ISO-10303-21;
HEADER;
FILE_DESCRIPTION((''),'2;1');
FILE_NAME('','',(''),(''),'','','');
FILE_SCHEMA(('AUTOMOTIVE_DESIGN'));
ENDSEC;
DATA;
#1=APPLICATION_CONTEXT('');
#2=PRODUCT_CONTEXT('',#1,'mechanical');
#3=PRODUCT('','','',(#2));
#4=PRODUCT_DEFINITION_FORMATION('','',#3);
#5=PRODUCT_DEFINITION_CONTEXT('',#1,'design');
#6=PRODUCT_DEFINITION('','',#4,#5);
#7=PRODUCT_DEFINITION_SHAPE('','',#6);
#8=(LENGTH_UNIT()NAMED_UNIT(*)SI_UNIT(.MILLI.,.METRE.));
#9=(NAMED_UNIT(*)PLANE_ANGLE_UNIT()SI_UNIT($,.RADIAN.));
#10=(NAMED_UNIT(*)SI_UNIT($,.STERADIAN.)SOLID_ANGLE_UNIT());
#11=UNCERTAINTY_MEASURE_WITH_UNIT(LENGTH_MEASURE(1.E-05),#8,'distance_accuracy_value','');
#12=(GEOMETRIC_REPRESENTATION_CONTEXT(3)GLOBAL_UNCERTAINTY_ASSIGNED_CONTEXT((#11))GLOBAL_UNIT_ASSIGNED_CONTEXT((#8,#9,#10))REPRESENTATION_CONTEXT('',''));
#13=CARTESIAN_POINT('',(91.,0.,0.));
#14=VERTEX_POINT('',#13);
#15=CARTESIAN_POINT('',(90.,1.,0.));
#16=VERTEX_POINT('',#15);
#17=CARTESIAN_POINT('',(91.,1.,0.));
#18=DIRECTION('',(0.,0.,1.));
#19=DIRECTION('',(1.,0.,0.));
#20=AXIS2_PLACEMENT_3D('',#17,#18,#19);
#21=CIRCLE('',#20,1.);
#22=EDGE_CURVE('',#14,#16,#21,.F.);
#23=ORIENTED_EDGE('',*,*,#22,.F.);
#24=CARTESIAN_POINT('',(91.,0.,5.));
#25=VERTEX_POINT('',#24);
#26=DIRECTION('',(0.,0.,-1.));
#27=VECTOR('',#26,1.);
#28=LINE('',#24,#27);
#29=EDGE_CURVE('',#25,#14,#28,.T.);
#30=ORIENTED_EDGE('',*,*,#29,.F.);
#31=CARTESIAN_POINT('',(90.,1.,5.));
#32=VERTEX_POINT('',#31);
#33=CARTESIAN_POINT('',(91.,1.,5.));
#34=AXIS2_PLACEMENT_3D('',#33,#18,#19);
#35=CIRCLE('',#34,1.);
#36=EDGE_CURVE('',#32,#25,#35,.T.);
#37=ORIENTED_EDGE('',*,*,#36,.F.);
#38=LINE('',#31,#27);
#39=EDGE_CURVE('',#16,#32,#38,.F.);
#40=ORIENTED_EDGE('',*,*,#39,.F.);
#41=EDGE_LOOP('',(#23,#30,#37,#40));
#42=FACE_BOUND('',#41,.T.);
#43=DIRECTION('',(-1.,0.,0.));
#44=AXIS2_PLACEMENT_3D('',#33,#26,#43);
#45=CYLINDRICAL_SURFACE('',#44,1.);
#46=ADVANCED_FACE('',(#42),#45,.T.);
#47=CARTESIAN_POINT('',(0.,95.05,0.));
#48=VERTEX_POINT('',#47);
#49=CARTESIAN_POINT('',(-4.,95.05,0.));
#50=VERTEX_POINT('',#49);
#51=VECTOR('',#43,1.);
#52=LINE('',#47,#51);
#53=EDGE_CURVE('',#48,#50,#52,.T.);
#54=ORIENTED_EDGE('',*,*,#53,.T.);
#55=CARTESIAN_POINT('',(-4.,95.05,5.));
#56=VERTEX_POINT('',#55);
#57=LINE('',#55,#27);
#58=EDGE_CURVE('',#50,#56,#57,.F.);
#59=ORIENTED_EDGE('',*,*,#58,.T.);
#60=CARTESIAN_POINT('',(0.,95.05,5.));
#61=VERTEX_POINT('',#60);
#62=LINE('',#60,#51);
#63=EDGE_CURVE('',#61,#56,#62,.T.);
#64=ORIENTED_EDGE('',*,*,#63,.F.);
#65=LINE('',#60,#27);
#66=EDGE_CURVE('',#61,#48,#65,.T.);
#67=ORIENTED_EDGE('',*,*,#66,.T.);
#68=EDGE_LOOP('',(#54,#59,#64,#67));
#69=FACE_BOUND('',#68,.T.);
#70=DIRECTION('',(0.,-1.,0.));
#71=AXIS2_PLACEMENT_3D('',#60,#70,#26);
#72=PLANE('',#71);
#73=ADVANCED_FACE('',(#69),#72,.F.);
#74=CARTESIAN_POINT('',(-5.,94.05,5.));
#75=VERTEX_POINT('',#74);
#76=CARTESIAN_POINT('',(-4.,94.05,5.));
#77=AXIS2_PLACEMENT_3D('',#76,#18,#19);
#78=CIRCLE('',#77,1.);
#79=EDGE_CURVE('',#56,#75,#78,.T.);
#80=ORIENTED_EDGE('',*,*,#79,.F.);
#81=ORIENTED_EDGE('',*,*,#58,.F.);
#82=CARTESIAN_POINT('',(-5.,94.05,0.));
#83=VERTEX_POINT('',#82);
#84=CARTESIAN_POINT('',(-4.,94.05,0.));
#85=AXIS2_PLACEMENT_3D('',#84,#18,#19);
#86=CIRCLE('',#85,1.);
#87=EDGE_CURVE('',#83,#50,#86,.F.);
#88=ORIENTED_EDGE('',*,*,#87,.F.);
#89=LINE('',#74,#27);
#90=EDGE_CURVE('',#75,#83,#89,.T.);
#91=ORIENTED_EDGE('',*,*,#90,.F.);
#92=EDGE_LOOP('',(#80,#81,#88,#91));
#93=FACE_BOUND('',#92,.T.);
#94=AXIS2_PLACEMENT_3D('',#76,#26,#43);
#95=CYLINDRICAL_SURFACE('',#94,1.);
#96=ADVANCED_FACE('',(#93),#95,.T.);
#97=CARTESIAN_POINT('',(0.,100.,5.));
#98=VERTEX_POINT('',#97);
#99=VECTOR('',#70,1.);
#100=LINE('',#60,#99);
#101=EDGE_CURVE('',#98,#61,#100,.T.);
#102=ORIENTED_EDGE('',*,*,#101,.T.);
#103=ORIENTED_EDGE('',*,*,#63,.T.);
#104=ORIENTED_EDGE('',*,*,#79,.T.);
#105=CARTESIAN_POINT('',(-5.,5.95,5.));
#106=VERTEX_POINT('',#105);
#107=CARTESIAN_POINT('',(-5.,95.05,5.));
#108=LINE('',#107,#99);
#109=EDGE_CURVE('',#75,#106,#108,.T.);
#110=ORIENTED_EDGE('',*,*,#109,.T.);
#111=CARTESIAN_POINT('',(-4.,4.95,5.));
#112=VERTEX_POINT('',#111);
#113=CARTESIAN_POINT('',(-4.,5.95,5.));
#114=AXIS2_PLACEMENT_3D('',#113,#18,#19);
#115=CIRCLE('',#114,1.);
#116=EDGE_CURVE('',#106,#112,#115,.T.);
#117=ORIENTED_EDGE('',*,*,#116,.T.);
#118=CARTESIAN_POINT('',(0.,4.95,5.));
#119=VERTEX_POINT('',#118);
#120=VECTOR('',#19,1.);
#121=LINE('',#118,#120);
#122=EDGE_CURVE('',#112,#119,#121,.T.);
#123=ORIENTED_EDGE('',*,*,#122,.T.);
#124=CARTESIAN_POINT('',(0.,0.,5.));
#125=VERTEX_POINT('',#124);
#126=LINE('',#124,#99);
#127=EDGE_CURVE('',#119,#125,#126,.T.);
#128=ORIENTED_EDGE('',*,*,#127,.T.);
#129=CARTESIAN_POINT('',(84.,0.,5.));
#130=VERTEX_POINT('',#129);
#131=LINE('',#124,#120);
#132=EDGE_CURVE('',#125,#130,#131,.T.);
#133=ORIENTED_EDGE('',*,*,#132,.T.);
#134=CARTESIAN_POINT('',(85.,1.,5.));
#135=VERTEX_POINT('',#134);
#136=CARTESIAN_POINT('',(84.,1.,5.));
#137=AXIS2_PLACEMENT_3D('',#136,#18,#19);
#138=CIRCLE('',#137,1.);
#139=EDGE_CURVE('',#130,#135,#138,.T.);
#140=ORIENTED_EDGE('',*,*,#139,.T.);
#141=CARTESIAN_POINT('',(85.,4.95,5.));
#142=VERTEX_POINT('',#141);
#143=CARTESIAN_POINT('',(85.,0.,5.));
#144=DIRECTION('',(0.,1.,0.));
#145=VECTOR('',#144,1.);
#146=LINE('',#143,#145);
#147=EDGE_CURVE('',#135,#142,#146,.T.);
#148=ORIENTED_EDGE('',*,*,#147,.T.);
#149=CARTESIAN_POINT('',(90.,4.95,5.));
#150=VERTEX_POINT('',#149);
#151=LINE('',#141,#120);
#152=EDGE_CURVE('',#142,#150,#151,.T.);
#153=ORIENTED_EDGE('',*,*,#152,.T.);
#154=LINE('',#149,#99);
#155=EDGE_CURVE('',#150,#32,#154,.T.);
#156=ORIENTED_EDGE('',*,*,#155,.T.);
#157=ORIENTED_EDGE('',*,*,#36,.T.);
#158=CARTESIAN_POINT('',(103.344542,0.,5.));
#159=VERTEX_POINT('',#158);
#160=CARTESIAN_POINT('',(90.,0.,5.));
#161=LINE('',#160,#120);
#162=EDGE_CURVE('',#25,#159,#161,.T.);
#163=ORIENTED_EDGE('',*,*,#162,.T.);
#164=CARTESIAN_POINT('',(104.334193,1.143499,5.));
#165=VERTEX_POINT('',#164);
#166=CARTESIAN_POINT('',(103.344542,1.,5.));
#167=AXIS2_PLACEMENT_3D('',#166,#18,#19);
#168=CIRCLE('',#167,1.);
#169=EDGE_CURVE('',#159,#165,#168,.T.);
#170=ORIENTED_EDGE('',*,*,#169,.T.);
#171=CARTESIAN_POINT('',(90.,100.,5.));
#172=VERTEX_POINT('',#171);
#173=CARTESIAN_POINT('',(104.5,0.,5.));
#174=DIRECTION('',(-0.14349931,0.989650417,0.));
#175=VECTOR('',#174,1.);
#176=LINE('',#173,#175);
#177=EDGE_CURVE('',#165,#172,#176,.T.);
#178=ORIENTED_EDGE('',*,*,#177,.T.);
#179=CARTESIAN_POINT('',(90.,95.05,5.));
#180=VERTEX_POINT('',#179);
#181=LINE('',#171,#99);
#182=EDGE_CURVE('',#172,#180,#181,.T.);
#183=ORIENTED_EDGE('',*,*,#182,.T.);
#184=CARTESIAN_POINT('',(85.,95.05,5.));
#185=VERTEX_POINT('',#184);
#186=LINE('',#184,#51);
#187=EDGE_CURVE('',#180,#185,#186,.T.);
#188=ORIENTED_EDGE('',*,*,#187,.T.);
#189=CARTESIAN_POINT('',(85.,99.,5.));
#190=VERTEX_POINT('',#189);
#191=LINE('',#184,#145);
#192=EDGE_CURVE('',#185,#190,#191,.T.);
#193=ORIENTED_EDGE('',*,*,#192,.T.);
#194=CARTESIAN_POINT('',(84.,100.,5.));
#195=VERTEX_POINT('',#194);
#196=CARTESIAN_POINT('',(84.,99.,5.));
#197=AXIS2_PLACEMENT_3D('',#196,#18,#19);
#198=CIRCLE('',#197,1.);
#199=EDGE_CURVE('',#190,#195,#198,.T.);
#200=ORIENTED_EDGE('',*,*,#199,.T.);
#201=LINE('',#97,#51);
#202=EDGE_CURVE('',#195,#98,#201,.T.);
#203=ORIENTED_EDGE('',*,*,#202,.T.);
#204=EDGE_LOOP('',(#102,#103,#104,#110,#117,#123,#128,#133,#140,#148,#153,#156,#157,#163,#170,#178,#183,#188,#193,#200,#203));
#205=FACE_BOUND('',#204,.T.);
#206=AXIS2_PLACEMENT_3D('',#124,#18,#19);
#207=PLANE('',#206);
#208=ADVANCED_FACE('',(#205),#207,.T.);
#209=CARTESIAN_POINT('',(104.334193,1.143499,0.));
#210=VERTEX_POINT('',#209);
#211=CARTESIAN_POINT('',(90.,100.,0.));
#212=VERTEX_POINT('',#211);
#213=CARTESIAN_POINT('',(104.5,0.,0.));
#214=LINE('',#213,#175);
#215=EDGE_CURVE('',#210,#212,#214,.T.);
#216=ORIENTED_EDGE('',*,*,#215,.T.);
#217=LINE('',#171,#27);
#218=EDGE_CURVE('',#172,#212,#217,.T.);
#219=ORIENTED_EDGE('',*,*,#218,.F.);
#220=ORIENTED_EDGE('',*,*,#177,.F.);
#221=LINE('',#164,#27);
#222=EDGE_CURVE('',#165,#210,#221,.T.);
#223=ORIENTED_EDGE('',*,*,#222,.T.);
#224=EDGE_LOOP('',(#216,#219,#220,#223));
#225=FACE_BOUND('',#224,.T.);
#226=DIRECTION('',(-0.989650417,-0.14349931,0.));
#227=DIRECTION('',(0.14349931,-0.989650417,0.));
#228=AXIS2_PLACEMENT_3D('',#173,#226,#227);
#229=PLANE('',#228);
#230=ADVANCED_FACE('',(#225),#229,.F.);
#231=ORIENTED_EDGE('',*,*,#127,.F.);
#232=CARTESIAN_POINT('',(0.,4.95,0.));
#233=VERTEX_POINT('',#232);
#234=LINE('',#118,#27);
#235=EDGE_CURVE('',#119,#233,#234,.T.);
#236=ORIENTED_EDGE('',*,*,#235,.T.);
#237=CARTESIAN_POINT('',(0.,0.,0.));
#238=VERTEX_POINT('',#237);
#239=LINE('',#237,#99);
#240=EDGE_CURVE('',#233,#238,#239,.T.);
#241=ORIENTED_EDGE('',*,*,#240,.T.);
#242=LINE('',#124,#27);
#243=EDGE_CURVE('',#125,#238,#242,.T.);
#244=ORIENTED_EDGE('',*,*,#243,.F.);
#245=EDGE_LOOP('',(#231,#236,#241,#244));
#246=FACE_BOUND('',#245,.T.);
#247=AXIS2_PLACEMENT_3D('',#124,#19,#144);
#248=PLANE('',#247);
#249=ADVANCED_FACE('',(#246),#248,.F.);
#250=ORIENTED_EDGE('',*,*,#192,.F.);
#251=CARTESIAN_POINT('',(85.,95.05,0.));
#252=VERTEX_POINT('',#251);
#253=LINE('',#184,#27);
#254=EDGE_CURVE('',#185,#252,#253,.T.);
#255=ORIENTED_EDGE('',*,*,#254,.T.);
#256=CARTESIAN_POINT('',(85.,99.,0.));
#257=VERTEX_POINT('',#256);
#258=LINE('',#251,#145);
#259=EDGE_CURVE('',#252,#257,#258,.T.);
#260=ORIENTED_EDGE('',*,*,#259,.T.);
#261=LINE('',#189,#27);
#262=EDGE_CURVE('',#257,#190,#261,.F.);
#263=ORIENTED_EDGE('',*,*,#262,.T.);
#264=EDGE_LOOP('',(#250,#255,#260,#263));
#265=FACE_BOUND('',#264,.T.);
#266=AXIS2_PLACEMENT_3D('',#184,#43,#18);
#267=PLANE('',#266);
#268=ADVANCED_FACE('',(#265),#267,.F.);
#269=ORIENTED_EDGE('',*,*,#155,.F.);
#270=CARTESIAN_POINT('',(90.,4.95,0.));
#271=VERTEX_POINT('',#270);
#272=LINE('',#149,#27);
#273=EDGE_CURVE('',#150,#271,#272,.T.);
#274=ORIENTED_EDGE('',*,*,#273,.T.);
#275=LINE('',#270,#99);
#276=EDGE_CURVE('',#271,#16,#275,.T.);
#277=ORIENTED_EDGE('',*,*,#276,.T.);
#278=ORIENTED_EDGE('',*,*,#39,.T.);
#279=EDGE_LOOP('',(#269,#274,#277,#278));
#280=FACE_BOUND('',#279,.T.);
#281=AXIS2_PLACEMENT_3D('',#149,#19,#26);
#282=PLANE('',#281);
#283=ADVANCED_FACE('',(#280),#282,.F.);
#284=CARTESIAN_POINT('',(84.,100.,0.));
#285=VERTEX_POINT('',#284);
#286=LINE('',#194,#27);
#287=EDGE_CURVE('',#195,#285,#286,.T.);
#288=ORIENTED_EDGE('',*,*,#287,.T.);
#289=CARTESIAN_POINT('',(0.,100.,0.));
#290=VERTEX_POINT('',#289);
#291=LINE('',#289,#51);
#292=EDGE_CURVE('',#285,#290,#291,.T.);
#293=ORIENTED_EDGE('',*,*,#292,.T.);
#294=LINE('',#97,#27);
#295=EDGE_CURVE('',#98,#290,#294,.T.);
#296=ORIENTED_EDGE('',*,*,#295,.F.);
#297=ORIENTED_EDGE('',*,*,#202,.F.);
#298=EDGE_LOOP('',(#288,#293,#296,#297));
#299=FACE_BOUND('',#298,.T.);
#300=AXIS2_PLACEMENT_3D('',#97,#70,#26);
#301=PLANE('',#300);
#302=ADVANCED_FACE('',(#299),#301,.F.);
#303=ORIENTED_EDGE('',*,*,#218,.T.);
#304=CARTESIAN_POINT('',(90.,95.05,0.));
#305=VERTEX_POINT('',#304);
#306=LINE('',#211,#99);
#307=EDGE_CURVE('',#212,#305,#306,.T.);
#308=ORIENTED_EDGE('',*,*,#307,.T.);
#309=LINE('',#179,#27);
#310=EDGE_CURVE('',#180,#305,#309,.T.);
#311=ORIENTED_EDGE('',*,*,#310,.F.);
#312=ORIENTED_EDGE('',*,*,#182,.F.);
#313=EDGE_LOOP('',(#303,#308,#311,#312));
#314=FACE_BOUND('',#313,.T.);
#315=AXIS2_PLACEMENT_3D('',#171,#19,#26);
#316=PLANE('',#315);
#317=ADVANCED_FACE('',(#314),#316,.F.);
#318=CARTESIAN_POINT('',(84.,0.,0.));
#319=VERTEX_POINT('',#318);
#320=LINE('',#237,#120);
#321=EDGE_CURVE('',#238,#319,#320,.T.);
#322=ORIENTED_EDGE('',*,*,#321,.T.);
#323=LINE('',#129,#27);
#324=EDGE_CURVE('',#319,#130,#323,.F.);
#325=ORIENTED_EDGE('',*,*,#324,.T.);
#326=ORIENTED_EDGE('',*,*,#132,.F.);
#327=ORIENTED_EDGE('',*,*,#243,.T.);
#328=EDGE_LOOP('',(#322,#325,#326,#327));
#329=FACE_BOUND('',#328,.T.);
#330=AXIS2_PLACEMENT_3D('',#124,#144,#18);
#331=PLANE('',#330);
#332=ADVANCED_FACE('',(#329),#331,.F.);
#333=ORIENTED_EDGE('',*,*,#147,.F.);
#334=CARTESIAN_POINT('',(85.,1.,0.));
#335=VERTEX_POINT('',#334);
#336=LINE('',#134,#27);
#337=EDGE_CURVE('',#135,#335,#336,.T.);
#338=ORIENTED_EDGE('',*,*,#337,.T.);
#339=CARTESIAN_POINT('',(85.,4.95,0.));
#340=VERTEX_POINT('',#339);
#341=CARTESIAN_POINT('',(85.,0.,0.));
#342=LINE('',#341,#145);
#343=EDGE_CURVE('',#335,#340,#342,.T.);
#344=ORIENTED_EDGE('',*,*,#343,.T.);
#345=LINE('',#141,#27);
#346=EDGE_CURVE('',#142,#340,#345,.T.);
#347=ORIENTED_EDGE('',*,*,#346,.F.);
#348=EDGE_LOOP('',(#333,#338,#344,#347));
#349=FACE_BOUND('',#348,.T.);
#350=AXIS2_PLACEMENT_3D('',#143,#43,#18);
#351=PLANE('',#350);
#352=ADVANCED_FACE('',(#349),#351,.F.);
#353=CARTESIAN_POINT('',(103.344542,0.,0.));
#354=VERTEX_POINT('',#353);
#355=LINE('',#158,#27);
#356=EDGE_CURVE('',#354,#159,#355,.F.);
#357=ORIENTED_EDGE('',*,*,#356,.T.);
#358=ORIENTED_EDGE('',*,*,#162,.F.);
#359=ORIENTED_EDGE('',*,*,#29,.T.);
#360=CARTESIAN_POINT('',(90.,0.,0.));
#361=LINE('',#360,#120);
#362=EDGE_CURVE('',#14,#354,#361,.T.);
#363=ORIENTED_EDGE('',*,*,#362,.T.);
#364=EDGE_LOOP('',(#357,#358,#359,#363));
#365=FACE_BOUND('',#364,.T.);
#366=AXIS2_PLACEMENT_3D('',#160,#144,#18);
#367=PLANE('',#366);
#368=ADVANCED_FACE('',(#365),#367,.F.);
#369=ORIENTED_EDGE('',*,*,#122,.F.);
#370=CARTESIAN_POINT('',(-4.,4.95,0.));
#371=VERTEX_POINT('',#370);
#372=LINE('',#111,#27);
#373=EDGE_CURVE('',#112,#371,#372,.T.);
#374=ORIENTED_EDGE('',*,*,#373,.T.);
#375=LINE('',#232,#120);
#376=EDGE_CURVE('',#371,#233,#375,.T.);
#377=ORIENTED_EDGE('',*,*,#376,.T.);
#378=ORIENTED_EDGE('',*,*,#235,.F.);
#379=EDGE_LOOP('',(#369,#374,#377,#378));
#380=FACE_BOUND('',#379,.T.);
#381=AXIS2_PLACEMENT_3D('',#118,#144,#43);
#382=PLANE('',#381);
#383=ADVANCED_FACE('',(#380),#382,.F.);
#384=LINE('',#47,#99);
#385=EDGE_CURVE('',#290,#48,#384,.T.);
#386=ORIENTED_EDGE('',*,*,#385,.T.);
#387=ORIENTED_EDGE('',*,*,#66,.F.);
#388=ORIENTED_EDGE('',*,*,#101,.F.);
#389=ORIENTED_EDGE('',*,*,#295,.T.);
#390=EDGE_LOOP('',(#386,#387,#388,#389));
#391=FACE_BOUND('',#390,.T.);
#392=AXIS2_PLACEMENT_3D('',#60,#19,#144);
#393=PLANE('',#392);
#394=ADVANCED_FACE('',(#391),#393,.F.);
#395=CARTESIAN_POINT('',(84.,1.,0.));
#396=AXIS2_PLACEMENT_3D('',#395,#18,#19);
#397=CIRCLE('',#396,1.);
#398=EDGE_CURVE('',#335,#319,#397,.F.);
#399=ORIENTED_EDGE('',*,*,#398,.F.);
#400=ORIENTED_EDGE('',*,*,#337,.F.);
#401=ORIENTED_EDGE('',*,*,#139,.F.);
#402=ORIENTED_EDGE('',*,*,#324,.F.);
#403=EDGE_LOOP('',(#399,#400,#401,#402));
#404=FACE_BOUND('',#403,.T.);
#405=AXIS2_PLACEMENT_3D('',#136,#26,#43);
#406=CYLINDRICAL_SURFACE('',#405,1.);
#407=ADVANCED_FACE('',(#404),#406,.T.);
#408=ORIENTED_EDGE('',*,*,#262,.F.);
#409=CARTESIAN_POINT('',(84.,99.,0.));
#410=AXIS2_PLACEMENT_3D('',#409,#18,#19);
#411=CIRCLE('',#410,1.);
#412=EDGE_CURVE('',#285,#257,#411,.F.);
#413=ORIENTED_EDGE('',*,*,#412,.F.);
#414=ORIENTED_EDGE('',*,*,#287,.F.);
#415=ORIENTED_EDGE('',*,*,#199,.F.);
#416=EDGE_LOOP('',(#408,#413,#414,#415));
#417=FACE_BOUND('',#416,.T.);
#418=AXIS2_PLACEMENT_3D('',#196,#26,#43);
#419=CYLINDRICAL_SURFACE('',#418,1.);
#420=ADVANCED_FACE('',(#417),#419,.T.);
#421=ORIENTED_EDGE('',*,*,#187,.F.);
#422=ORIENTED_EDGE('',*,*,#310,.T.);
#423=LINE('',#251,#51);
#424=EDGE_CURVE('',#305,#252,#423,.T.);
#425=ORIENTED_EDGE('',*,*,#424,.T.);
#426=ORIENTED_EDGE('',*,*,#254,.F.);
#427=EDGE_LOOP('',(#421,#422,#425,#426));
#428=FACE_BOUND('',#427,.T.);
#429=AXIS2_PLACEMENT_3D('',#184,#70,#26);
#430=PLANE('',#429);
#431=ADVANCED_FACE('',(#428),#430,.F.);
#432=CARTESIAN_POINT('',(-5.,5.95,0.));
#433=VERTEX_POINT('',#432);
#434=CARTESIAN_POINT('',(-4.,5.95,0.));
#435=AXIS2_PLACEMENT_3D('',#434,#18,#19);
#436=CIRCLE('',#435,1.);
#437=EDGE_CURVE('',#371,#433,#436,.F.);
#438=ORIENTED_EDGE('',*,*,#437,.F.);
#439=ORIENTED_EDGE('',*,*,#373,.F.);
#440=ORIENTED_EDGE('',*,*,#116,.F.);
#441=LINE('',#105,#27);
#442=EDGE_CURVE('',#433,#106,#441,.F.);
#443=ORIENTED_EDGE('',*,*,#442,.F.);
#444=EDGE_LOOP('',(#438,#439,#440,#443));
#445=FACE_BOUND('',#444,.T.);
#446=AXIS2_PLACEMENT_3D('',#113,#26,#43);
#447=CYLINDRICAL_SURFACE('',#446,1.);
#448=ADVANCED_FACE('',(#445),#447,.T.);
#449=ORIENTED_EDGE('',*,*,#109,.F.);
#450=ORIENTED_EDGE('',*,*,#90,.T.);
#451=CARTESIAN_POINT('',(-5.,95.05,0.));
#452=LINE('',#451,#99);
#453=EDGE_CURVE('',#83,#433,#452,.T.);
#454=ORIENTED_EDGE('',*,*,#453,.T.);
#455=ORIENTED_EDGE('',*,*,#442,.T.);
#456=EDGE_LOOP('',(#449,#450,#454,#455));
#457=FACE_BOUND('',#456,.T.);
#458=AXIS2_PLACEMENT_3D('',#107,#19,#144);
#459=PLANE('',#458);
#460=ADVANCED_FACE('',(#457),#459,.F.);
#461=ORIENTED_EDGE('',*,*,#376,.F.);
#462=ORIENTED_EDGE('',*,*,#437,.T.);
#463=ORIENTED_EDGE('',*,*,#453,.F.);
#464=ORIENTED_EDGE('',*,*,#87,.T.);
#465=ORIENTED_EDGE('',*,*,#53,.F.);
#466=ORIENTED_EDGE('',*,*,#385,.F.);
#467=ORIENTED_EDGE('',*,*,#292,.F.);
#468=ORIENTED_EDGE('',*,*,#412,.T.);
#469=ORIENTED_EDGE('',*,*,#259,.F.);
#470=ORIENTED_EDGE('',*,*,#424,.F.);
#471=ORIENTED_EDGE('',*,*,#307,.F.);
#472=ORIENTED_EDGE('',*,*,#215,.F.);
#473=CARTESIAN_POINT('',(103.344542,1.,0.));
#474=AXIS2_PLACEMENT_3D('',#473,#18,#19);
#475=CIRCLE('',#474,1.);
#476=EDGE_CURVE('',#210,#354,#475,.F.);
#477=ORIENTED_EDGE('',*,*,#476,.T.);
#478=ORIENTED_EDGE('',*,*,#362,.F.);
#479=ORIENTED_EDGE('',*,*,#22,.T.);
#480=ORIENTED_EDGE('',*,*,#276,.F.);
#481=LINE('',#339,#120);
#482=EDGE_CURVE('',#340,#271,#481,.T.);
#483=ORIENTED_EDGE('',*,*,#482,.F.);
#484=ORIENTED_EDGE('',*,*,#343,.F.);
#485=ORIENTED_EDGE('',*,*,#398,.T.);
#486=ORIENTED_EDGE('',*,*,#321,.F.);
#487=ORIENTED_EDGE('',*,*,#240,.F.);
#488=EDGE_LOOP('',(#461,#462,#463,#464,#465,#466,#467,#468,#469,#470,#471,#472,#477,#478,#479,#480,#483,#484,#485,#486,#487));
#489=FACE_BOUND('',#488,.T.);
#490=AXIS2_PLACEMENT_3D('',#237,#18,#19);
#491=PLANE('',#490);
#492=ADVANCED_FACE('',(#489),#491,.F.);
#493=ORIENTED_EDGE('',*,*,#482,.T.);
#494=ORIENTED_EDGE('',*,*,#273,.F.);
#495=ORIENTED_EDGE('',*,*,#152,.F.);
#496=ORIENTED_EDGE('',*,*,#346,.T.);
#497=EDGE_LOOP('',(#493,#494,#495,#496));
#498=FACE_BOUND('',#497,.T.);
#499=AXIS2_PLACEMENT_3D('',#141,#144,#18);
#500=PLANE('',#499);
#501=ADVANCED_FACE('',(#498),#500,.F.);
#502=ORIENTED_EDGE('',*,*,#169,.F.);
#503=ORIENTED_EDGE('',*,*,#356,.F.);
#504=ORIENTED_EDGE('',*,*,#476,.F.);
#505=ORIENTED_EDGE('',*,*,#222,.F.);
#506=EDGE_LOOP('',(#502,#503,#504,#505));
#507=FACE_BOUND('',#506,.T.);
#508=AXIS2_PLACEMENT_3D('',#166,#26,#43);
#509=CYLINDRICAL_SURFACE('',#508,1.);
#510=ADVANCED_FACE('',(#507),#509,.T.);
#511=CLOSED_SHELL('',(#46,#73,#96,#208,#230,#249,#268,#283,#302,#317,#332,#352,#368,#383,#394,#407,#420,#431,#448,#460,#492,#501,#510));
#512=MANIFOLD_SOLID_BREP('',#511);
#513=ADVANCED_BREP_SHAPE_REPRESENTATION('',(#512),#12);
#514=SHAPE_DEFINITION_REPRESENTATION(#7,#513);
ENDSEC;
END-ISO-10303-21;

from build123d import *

# Parameters (mm, degrees)
BOSS_EXTRUDE1_DEPTH = 5
FILLET1_R           = 1


with BuildPart() as part:
    # Sketch1 → Boss-Extrude1 (new body)
    with BuildSketch(Plane.XY):
        Polygon((0, 95.05), (0, 100), (85, 100), (85, 95.05), (90, 95.05), (90, 100), (104.5, 0), (90, 0), (90, 4.95), (85, 4.95), (85, 0), (0, 0), (0, 4.95), (-5, 4.95), (-5, 95.05), align=None)
    extrude(amount=BOSS_EXTRUDE1_DEPTH)

    # Fillet1
    fillet1_edges = [part.edges().sort_by_distance(p)[0] for p in [
        (-5, 4.95, 2.5),
        (-5, 95.05, 2.5),
        (85, 100, 2.5),
        (104.5, 0, 2.5),
        (90, 0, 2.5),
        (85, 0, 2.5),
    ]]
    fillet(fillet1_edges, radius=FILLET1_R)


solid = part.part
